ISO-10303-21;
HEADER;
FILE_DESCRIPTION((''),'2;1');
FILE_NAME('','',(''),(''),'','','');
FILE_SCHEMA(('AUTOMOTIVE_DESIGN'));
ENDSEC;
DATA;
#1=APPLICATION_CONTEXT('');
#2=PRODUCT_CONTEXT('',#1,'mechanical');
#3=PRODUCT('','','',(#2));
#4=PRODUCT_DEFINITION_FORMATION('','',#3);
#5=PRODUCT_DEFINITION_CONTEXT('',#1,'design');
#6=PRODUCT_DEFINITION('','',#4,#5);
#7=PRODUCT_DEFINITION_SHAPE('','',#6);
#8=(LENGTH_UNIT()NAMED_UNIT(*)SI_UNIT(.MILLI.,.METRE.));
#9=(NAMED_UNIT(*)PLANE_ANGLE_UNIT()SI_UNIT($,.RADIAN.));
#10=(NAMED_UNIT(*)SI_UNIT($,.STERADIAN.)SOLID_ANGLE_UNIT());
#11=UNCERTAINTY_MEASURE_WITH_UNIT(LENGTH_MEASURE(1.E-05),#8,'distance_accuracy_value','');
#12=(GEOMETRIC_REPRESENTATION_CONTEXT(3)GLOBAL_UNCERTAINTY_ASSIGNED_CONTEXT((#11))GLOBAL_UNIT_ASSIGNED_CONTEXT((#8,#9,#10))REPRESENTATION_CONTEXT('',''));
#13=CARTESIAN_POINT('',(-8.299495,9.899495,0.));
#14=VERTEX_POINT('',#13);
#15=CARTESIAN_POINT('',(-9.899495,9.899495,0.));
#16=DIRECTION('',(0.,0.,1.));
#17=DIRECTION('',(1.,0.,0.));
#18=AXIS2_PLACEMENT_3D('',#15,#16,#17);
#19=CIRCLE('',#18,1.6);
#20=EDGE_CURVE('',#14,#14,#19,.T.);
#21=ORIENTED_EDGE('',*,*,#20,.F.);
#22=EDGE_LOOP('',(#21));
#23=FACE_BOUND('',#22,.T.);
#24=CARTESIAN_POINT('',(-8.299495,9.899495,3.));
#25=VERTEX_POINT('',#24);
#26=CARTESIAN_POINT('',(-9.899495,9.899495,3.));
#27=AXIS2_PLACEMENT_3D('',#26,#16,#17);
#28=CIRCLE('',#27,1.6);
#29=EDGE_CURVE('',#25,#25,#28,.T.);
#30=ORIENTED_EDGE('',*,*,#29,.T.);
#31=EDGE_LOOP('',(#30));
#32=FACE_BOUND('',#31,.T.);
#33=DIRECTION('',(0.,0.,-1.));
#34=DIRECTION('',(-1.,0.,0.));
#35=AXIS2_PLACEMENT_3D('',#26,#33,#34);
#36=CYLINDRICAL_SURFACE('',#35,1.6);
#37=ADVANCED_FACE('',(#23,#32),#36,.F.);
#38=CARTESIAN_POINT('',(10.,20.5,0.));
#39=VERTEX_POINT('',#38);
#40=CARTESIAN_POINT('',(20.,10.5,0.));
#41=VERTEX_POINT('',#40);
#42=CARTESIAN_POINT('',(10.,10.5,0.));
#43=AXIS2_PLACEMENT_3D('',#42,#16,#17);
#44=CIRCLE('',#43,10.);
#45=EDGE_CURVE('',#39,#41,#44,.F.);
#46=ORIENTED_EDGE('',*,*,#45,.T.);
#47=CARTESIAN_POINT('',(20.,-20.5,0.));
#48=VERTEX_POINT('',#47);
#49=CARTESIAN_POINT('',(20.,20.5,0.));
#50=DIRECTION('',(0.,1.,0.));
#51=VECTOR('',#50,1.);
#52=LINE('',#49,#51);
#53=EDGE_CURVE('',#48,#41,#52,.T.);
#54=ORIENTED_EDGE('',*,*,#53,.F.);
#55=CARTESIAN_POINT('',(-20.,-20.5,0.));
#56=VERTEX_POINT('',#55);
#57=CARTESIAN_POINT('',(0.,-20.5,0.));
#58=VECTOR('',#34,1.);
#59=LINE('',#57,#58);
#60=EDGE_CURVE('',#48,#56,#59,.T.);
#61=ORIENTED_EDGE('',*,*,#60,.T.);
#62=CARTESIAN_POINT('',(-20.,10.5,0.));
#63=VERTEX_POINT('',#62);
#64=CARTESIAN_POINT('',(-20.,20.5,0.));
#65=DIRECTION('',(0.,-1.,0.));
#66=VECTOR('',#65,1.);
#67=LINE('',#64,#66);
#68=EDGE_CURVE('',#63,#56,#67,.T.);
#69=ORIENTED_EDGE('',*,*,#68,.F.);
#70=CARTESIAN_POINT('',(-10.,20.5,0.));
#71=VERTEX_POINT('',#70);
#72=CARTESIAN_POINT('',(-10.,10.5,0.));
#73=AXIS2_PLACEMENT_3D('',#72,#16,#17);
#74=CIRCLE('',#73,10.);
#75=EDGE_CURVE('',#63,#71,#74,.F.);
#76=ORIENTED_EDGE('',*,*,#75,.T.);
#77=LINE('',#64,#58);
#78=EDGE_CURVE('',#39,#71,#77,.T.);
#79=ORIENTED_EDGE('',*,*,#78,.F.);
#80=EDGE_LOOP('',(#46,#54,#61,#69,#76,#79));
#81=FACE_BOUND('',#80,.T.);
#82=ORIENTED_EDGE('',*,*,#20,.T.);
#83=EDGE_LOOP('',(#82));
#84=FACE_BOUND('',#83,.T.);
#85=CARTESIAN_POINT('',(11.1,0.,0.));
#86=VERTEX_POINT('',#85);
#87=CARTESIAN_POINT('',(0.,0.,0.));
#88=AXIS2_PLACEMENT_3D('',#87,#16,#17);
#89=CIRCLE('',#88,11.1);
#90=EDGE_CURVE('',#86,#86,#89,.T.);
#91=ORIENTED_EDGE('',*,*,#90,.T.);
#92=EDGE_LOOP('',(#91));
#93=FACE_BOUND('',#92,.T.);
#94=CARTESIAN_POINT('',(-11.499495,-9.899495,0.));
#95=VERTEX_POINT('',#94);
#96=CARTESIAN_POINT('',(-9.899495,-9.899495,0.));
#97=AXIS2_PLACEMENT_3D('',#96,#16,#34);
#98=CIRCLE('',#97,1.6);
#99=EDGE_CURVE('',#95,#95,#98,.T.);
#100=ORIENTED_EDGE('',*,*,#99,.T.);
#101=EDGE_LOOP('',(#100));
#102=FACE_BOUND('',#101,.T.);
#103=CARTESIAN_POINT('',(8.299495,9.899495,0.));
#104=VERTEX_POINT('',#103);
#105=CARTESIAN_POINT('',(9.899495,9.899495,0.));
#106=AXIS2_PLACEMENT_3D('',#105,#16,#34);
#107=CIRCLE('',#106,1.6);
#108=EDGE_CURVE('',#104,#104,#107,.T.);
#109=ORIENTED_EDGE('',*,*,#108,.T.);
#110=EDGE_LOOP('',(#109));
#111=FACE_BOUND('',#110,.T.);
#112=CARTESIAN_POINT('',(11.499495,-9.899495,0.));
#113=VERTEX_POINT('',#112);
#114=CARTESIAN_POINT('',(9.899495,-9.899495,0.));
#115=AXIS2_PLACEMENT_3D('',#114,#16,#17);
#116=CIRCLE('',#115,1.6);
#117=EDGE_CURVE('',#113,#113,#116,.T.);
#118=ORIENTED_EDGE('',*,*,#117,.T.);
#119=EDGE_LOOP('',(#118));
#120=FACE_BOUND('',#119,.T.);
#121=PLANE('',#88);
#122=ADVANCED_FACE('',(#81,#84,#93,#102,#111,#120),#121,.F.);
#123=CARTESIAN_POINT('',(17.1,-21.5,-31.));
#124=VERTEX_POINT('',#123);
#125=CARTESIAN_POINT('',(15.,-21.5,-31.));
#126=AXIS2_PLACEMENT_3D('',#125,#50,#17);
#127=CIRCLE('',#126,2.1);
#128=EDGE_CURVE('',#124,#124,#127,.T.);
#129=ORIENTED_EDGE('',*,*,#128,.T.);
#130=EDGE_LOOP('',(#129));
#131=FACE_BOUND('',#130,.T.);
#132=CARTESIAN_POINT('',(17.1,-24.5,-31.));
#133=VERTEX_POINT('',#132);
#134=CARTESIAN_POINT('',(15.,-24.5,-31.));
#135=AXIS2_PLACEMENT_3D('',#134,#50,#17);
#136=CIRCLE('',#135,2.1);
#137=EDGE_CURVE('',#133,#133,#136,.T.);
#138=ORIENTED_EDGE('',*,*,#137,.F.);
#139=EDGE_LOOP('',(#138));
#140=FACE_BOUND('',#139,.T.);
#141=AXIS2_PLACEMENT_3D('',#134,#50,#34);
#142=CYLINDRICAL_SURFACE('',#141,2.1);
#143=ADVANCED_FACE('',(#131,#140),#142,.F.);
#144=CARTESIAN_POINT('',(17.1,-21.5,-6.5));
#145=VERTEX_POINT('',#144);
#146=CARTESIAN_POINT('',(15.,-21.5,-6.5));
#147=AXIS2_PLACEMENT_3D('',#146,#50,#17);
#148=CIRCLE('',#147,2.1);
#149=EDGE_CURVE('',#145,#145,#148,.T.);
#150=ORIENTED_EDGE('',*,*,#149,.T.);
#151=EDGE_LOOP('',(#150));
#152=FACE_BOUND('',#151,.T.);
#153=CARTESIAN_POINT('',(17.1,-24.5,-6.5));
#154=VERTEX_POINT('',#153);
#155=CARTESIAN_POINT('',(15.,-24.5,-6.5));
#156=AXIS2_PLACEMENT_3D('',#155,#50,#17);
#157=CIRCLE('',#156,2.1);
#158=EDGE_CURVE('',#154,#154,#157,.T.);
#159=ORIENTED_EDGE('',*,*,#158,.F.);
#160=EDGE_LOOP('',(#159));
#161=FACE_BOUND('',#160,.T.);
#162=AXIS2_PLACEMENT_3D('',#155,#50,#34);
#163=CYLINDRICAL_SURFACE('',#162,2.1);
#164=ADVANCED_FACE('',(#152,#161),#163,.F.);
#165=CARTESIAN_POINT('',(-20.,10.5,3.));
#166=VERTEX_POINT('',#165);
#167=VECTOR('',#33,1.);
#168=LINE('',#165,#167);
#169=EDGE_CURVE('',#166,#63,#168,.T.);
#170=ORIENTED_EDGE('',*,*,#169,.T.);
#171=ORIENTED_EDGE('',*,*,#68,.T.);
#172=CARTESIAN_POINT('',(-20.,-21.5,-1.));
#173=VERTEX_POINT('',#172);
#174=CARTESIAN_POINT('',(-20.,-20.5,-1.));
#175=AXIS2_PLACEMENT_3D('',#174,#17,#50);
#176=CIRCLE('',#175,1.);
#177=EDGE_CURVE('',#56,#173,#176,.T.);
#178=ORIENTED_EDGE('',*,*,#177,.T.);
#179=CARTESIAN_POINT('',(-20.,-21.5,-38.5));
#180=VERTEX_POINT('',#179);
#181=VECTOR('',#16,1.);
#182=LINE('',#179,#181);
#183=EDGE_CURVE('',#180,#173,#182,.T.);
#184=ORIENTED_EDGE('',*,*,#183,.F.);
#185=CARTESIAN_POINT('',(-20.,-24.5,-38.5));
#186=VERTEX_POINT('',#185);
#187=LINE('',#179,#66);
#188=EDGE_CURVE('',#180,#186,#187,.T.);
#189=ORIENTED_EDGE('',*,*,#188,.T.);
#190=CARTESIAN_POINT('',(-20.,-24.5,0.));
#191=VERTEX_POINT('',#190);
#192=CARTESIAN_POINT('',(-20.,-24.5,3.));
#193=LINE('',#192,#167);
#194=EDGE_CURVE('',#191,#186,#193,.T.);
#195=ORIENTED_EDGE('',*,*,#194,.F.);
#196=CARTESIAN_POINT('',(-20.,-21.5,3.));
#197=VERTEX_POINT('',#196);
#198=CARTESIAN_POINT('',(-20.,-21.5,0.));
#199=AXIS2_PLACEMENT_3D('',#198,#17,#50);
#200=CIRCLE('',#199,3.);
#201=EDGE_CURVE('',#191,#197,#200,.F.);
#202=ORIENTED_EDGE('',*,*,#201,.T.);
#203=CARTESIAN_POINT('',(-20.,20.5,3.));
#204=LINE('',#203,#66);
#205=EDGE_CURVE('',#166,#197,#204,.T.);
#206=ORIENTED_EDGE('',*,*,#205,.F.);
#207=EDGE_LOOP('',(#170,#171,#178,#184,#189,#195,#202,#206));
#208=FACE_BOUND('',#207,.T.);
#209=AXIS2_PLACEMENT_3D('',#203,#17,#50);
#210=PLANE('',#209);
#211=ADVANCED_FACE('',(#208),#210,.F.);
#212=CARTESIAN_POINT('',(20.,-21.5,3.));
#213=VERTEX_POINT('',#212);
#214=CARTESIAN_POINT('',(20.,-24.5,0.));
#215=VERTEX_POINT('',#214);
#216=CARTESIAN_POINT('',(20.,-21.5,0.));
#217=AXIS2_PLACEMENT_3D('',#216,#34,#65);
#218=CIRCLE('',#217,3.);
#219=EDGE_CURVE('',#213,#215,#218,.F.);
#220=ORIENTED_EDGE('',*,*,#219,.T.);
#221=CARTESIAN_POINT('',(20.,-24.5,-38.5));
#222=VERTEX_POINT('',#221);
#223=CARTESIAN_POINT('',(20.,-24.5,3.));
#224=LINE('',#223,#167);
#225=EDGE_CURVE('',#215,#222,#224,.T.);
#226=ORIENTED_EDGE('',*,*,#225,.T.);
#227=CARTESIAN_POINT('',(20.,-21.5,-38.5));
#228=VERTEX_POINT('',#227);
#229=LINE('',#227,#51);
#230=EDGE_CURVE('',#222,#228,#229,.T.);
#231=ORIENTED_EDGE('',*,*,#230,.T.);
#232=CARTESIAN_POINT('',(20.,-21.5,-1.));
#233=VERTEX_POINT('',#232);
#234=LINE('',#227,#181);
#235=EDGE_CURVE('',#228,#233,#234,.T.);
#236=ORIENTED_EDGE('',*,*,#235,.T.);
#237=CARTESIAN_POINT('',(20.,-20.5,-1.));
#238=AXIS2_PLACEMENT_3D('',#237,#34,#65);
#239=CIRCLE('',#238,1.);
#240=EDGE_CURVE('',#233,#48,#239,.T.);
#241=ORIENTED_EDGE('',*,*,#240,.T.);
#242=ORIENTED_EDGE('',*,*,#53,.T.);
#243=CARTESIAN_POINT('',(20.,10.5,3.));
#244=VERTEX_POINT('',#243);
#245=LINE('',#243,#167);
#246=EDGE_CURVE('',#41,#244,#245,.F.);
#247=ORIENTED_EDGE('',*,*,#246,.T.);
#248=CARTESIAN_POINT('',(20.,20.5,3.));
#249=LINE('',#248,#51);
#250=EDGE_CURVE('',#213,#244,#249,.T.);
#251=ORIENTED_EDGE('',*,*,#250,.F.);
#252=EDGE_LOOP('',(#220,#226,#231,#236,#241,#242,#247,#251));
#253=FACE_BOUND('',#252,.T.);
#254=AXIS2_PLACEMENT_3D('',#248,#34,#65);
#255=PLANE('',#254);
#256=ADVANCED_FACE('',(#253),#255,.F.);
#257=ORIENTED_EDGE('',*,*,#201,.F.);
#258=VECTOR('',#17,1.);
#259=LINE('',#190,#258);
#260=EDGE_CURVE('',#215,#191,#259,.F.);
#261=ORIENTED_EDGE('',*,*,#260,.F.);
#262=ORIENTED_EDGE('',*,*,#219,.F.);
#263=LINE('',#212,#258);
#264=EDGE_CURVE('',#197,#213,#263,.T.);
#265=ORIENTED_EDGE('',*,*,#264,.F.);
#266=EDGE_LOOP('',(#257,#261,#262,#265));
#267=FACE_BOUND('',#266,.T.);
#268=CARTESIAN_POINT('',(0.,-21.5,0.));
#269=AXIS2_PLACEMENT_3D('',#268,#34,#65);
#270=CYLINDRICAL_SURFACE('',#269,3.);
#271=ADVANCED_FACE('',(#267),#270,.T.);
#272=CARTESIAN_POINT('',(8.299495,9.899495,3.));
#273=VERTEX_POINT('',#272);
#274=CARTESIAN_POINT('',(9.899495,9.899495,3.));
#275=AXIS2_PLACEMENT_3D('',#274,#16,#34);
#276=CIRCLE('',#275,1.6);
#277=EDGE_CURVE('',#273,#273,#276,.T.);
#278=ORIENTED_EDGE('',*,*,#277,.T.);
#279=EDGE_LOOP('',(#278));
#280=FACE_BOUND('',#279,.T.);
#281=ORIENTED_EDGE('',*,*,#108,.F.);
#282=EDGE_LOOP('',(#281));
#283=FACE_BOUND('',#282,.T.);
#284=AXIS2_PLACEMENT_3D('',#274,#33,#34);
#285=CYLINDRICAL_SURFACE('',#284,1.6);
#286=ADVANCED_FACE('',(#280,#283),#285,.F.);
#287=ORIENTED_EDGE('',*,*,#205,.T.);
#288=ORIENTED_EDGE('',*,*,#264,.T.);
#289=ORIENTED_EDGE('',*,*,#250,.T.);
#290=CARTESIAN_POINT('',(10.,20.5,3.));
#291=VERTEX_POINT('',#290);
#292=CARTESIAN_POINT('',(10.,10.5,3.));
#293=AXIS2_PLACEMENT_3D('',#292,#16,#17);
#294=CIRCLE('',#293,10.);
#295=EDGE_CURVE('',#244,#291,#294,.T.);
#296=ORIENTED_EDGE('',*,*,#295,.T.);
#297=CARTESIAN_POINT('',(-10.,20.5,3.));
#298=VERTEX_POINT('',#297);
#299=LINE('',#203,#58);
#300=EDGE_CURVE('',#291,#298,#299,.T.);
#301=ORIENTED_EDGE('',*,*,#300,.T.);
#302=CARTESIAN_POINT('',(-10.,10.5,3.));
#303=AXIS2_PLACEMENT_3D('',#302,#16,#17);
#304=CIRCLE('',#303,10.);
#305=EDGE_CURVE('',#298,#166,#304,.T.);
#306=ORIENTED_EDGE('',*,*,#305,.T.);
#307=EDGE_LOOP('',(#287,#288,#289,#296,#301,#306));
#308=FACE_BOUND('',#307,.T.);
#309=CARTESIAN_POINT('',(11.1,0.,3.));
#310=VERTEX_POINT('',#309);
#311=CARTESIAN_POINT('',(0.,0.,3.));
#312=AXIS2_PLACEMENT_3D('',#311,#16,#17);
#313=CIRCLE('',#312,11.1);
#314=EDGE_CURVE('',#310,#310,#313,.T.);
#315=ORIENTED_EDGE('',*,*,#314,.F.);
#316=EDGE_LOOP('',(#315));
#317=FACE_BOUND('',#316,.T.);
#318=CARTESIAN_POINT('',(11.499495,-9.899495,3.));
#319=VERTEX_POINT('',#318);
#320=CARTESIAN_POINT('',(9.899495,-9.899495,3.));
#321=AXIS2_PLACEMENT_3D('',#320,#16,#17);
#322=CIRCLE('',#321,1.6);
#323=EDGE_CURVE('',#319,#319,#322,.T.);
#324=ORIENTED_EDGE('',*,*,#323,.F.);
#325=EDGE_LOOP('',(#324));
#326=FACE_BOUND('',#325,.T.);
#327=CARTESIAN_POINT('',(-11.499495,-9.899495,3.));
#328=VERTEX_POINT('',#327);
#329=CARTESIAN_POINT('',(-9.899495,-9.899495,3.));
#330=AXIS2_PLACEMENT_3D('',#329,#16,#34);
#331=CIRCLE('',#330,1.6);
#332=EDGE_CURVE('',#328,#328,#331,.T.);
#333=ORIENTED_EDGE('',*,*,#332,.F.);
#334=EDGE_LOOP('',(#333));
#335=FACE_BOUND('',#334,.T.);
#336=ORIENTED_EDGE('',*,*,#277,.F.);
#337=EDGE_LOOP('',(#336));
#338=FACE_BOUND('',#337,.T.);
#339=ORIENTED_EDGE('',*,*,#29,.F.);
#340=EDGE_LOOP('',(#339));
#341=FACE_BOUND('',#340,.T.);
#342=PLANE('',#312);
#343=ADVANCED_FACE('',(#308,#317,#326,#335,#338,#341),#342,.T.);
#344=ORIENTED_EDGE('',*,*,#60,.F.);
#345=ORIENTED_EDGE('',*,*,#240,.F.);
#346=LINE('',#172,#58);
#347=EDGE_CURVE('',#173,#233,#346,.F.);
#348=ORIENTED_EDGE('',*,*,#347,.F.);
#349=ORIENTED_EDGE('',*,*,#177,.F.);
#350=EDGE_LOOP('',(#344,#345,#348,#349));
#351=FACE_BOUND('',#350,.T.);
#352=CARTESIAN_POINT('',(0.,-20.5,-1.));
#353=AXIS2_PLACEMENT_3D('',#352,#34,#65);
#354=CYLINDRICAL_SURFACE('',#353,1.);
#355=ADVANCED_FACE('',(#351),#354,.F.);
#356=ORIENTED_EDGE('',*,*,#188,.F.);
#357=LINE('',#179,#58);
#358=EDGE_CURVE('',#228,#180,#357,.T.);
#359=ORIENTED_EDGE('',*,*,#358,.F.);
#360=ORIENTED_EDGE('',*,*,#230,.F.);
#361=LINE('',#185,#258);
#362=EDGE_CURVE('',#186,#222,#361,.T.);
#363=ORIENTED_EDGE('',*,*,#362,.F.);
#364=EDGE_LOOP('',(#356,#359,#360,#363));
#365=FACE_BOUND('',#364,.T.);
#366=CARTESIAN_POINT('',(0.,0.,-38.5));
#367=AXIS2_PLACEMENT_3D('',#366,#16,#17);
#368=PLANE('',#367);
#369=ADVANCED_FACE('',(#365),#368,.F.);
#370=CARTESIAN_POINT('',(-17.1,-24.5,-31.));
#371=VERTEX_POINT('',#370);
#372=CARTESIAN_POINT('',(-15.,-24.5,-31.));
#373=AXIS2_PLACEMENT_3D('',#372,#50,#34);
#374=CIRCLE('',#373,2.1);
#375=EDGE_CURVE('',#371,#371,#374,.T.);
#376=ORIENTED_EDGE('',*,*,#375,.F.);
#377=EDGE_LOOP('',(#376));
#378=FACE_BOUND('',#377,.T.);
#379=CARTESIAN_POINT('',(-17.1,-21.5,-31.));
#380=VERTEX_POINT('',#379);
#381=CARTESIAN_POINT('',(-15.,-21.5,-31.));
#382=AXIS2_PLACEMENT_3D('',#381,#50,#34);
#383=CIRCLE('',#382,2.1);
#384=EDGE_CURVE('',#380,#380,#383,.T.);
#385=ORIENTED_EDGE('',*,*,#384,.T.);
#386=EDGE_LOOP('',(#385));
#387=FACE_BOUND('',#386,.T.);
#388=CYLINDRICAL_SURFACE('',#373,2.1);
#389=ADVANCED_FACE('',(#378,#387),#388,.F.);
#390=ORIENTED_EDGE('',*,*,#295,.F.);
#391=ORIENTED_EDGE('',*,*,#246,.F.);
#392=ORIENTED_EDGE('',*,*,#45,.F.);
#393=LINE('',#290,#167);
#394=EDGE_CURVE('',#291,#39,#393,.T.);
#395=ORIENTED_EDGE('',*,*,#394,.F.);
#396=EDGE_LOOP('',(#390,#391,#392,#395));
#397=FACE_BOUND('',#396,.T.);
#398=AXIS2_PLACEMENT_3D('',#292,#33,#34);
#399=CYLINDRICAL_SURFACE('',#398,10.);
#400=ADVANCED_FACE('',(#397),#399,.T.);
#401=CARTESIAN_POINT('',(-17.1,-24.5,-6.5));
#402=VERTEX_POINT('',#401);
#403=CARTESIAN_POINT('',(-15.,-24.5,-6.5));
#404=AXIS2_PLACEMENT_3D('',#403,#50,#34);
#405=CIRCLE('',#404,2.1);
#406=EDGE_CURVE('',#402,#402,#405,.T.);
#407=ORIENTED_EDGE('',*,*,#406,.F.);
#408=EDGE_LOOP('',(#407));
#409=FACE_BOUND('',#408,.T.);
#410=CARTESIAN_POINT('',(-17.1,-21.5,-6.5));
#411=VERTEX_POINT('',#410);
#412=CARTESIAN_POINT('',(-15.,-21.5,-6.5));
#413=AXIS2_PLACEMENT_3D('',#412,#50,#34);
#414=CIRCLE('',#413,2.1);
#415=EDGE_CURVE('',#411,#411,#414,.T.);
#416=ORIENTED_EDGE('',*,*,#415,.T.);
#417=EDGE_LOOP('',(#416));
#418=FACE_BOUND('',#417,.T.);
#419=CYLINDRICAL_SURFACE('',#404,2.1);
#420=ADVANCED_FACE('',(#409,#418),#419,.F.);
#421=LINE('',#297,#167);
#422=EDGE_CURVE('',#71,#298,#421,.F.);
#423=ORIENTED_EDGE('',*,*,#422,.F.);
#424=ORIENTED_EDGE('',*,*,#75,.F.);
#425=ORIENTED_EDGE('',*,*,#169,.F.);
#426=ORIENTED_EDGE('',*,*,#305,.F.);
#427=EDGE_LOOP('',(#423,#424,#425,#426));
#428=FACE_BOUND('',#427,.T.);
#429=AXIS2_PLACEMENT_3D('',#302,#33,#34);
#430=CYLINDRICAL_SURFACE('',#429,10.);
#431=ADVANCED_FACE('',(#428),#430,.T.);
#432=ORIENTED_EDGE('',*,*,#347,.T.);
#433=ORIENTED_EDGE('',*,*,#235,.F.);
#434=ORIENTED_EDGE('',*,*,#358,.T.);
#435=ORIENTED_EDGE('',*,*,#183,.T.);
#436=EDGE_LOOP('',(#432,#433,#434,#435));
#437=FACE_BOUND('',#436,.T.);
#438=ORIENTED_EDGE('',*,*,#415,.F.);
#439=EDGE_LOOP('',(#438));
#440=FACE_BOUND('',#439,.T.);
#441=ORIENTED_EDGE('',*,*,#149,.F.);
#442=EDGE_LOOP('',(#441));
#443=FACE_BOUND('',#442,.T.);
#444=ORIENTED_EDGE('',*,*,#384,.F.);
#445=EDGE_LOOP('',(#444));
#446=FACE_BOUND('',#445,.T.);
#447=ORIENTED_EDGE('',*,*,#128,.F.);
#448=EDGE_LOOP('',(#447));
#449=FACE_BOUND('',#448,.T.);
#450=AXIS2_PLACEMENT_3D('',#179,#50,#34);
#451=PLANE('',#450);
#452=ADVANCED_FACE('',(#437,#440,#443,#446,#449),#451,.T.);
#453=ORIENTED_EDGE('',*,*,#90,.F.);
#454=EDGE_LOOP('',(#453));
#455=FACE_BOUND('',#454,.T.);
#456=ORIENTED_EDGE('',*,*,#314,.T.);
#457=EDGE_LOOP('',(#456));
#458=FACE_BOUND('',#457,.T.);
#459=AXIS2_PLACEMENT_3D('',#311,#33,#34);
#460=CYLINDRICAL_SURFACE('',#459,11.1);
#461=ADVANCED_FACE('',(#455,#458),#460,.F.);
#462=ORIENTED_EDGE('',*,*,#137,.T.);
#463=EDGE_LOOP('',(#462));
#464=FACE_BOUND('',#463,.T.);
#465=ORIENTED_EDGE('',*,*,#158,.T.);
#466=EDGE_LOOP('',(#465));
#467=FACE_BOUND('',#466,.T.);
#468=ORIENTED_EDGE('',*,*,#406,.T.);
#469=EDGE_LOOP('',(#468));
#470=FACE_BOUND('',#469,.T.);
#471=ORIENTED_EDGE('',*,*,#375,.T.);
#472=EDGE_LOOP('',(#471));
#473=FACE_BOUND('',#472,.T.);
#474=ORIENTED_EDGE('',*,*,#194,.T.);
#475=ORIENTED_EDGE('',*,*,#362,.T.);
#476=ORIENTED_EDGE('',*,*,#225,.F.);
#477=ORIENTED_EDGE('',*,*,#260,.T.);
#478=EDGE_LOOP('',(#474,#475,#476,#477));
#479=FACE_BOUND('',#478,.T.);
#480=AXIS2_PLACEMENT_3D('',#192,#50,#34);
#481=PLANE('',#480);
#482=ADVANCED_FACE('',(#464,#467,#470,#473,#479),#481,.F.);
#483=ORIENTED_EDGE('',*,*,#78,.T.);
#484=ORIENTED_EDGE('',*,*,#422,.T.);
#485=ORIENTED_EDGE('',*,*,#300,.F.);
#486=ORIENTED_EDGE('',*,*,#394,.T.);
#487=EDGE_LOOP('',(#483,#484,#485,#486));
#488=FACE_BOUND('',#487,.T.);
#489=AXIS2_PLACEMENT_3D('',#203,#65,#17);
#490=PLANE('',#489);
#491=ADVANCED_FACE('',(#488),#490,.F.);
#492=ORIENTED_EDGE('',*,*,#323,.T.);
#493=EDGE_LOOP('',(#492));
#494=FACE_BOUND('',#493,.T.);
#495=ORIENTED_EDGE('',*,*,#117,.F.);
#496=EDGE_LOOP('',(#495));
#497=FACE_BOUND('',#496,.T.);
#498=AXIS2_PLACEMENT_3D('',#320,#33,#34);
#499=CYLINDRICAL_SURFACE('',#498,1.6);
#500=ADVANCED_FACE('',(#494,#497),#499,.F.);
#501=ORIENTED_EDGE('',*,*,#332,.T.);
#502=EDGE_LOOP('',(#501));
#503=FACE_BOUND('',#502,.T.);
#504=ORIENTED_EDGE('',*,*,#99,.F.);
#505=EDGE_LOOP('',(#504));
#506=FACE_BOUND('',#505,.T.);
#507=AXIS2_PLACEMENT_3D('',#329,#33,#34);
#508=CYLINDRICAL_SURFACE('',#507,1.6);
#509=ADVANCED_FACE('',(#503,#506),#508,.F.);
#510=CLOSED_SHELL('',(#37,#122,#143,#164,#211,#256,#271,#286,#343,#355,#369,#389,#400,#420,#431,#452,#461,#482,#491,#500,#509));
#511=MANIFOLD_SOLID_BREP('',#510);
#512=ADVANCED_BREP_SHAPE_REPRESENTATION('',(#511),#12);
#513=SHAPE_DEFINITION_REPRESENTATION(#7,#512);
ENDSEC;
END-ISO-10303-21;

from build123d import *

# Parameters (mm, degrees)
SKETCH_1_W          = 40
SKETCH_1_H          = 45
SKETCH_1_R          = 11.1
SKETCH_1_R_2        = 1.6
EXTRUDE_1_DEPTH     = 3
SKETCH_2_W          = 40
SKETCH_2_H          = 3
EXTRUDE_2_DEPTH     = 41.5
SKETCH_3_R          = 2.1
CUT_EXTRUDE_1_DEPTH = 61.384186672
FILLET_1_R          = 10
FILLET_3_R          = 3
FILLET_4_R          = 1


with BuildPart() as part:
    # 草图1 → 凸台-拉伸1 (new body)
    with BuildSketch(Plane.XY):
        with Locations((0, -2)):
            Rectangle(SKETCH_1_W, SKETCH_1_H)
        Circle(SKETCH_1_R, mode=Mode.SUBTRACT)
        with Locations((-9.899494937, 9.899494937)):
            Circle(SKETCH_1_R_2, mode=Mode.SUBTRACT)
        with Locations(Location((9.899494937, 9.899494937, 0), (0, 0, 180))):
            Circle(SKETCH_1_R_2, mode=Mode.SUBTRACT)
        with Locations(Location((-9.899494937, -9.899494937, 0), (0, 0, 180))):
            Circle(SKETCH_1_R_2, mode=Mode.SUBTRACT)
        with Locations((9.899494937, -9.899494937)):
            Circle(SKETCH_1_R_2, mode=Mode.SUBTRACT)
    extrude(amount=EXTRUDE_1_DEPTH)

    # 草图2 → 凸台-拉伸2 (add)
    with BuildSketch(Plane.XY.offset(3)):
        with Locations((0, -23)):
            Rectangle(SKETCH_2_W, SKETCH_2_H)
    extrude(amount=-EXTRUDE_2_DEPTH)

    # 草图3 → 切除-拉伸1 (cut, through all)
    with BuildSketch(Plane(origin=(0, -21.5, 0), x_dir=(1, 0, 0), z_dir=(0, 1, 0))):
        with Locations(Location((-15, 31, 0), (0, 0, 180))):
            Circle(SKETCH_3_R)
        with Locations((15, 31)):
            Circle(SKETCH_3_R)
        with Locations((15, 6.5)):
            Circle(SKETCH_3_R)
        with Locations(Location((-15, 6.5, 0), (0, 0, 180))):
            Circle(SKETCH_3_R)
    extrude(amount=-CUT_EXTRUDE_1_DEPTH, mode=Mode.SUBTRACT)

    # 圆角1
    fillet_1_edges = [part.edges().sort_by_distance(p)[0] for p in [
        (-20, 20.5, 1.5),
        (20, 20.5, 1.5),
    ]]
    fillet(fillet_1_edges, radius=FILLET_1_R)

    # 圆角3
    fillet_3_edges = [part.edges().sort_by_distance(p)[0] for p in [
        (0, -24.5, 3),
    ]]
    fillet(fillet_3_edges, radius=FILLET_3_R)

    # 圆角4
    fillet_4_edges = [part.edges().sort_by_distance(p)[0] for p in [
        (0, -21.5, 0),
    ]]
    fillet(fillet_4_edges, radius=FILLET_4_R)


solid = part.part
